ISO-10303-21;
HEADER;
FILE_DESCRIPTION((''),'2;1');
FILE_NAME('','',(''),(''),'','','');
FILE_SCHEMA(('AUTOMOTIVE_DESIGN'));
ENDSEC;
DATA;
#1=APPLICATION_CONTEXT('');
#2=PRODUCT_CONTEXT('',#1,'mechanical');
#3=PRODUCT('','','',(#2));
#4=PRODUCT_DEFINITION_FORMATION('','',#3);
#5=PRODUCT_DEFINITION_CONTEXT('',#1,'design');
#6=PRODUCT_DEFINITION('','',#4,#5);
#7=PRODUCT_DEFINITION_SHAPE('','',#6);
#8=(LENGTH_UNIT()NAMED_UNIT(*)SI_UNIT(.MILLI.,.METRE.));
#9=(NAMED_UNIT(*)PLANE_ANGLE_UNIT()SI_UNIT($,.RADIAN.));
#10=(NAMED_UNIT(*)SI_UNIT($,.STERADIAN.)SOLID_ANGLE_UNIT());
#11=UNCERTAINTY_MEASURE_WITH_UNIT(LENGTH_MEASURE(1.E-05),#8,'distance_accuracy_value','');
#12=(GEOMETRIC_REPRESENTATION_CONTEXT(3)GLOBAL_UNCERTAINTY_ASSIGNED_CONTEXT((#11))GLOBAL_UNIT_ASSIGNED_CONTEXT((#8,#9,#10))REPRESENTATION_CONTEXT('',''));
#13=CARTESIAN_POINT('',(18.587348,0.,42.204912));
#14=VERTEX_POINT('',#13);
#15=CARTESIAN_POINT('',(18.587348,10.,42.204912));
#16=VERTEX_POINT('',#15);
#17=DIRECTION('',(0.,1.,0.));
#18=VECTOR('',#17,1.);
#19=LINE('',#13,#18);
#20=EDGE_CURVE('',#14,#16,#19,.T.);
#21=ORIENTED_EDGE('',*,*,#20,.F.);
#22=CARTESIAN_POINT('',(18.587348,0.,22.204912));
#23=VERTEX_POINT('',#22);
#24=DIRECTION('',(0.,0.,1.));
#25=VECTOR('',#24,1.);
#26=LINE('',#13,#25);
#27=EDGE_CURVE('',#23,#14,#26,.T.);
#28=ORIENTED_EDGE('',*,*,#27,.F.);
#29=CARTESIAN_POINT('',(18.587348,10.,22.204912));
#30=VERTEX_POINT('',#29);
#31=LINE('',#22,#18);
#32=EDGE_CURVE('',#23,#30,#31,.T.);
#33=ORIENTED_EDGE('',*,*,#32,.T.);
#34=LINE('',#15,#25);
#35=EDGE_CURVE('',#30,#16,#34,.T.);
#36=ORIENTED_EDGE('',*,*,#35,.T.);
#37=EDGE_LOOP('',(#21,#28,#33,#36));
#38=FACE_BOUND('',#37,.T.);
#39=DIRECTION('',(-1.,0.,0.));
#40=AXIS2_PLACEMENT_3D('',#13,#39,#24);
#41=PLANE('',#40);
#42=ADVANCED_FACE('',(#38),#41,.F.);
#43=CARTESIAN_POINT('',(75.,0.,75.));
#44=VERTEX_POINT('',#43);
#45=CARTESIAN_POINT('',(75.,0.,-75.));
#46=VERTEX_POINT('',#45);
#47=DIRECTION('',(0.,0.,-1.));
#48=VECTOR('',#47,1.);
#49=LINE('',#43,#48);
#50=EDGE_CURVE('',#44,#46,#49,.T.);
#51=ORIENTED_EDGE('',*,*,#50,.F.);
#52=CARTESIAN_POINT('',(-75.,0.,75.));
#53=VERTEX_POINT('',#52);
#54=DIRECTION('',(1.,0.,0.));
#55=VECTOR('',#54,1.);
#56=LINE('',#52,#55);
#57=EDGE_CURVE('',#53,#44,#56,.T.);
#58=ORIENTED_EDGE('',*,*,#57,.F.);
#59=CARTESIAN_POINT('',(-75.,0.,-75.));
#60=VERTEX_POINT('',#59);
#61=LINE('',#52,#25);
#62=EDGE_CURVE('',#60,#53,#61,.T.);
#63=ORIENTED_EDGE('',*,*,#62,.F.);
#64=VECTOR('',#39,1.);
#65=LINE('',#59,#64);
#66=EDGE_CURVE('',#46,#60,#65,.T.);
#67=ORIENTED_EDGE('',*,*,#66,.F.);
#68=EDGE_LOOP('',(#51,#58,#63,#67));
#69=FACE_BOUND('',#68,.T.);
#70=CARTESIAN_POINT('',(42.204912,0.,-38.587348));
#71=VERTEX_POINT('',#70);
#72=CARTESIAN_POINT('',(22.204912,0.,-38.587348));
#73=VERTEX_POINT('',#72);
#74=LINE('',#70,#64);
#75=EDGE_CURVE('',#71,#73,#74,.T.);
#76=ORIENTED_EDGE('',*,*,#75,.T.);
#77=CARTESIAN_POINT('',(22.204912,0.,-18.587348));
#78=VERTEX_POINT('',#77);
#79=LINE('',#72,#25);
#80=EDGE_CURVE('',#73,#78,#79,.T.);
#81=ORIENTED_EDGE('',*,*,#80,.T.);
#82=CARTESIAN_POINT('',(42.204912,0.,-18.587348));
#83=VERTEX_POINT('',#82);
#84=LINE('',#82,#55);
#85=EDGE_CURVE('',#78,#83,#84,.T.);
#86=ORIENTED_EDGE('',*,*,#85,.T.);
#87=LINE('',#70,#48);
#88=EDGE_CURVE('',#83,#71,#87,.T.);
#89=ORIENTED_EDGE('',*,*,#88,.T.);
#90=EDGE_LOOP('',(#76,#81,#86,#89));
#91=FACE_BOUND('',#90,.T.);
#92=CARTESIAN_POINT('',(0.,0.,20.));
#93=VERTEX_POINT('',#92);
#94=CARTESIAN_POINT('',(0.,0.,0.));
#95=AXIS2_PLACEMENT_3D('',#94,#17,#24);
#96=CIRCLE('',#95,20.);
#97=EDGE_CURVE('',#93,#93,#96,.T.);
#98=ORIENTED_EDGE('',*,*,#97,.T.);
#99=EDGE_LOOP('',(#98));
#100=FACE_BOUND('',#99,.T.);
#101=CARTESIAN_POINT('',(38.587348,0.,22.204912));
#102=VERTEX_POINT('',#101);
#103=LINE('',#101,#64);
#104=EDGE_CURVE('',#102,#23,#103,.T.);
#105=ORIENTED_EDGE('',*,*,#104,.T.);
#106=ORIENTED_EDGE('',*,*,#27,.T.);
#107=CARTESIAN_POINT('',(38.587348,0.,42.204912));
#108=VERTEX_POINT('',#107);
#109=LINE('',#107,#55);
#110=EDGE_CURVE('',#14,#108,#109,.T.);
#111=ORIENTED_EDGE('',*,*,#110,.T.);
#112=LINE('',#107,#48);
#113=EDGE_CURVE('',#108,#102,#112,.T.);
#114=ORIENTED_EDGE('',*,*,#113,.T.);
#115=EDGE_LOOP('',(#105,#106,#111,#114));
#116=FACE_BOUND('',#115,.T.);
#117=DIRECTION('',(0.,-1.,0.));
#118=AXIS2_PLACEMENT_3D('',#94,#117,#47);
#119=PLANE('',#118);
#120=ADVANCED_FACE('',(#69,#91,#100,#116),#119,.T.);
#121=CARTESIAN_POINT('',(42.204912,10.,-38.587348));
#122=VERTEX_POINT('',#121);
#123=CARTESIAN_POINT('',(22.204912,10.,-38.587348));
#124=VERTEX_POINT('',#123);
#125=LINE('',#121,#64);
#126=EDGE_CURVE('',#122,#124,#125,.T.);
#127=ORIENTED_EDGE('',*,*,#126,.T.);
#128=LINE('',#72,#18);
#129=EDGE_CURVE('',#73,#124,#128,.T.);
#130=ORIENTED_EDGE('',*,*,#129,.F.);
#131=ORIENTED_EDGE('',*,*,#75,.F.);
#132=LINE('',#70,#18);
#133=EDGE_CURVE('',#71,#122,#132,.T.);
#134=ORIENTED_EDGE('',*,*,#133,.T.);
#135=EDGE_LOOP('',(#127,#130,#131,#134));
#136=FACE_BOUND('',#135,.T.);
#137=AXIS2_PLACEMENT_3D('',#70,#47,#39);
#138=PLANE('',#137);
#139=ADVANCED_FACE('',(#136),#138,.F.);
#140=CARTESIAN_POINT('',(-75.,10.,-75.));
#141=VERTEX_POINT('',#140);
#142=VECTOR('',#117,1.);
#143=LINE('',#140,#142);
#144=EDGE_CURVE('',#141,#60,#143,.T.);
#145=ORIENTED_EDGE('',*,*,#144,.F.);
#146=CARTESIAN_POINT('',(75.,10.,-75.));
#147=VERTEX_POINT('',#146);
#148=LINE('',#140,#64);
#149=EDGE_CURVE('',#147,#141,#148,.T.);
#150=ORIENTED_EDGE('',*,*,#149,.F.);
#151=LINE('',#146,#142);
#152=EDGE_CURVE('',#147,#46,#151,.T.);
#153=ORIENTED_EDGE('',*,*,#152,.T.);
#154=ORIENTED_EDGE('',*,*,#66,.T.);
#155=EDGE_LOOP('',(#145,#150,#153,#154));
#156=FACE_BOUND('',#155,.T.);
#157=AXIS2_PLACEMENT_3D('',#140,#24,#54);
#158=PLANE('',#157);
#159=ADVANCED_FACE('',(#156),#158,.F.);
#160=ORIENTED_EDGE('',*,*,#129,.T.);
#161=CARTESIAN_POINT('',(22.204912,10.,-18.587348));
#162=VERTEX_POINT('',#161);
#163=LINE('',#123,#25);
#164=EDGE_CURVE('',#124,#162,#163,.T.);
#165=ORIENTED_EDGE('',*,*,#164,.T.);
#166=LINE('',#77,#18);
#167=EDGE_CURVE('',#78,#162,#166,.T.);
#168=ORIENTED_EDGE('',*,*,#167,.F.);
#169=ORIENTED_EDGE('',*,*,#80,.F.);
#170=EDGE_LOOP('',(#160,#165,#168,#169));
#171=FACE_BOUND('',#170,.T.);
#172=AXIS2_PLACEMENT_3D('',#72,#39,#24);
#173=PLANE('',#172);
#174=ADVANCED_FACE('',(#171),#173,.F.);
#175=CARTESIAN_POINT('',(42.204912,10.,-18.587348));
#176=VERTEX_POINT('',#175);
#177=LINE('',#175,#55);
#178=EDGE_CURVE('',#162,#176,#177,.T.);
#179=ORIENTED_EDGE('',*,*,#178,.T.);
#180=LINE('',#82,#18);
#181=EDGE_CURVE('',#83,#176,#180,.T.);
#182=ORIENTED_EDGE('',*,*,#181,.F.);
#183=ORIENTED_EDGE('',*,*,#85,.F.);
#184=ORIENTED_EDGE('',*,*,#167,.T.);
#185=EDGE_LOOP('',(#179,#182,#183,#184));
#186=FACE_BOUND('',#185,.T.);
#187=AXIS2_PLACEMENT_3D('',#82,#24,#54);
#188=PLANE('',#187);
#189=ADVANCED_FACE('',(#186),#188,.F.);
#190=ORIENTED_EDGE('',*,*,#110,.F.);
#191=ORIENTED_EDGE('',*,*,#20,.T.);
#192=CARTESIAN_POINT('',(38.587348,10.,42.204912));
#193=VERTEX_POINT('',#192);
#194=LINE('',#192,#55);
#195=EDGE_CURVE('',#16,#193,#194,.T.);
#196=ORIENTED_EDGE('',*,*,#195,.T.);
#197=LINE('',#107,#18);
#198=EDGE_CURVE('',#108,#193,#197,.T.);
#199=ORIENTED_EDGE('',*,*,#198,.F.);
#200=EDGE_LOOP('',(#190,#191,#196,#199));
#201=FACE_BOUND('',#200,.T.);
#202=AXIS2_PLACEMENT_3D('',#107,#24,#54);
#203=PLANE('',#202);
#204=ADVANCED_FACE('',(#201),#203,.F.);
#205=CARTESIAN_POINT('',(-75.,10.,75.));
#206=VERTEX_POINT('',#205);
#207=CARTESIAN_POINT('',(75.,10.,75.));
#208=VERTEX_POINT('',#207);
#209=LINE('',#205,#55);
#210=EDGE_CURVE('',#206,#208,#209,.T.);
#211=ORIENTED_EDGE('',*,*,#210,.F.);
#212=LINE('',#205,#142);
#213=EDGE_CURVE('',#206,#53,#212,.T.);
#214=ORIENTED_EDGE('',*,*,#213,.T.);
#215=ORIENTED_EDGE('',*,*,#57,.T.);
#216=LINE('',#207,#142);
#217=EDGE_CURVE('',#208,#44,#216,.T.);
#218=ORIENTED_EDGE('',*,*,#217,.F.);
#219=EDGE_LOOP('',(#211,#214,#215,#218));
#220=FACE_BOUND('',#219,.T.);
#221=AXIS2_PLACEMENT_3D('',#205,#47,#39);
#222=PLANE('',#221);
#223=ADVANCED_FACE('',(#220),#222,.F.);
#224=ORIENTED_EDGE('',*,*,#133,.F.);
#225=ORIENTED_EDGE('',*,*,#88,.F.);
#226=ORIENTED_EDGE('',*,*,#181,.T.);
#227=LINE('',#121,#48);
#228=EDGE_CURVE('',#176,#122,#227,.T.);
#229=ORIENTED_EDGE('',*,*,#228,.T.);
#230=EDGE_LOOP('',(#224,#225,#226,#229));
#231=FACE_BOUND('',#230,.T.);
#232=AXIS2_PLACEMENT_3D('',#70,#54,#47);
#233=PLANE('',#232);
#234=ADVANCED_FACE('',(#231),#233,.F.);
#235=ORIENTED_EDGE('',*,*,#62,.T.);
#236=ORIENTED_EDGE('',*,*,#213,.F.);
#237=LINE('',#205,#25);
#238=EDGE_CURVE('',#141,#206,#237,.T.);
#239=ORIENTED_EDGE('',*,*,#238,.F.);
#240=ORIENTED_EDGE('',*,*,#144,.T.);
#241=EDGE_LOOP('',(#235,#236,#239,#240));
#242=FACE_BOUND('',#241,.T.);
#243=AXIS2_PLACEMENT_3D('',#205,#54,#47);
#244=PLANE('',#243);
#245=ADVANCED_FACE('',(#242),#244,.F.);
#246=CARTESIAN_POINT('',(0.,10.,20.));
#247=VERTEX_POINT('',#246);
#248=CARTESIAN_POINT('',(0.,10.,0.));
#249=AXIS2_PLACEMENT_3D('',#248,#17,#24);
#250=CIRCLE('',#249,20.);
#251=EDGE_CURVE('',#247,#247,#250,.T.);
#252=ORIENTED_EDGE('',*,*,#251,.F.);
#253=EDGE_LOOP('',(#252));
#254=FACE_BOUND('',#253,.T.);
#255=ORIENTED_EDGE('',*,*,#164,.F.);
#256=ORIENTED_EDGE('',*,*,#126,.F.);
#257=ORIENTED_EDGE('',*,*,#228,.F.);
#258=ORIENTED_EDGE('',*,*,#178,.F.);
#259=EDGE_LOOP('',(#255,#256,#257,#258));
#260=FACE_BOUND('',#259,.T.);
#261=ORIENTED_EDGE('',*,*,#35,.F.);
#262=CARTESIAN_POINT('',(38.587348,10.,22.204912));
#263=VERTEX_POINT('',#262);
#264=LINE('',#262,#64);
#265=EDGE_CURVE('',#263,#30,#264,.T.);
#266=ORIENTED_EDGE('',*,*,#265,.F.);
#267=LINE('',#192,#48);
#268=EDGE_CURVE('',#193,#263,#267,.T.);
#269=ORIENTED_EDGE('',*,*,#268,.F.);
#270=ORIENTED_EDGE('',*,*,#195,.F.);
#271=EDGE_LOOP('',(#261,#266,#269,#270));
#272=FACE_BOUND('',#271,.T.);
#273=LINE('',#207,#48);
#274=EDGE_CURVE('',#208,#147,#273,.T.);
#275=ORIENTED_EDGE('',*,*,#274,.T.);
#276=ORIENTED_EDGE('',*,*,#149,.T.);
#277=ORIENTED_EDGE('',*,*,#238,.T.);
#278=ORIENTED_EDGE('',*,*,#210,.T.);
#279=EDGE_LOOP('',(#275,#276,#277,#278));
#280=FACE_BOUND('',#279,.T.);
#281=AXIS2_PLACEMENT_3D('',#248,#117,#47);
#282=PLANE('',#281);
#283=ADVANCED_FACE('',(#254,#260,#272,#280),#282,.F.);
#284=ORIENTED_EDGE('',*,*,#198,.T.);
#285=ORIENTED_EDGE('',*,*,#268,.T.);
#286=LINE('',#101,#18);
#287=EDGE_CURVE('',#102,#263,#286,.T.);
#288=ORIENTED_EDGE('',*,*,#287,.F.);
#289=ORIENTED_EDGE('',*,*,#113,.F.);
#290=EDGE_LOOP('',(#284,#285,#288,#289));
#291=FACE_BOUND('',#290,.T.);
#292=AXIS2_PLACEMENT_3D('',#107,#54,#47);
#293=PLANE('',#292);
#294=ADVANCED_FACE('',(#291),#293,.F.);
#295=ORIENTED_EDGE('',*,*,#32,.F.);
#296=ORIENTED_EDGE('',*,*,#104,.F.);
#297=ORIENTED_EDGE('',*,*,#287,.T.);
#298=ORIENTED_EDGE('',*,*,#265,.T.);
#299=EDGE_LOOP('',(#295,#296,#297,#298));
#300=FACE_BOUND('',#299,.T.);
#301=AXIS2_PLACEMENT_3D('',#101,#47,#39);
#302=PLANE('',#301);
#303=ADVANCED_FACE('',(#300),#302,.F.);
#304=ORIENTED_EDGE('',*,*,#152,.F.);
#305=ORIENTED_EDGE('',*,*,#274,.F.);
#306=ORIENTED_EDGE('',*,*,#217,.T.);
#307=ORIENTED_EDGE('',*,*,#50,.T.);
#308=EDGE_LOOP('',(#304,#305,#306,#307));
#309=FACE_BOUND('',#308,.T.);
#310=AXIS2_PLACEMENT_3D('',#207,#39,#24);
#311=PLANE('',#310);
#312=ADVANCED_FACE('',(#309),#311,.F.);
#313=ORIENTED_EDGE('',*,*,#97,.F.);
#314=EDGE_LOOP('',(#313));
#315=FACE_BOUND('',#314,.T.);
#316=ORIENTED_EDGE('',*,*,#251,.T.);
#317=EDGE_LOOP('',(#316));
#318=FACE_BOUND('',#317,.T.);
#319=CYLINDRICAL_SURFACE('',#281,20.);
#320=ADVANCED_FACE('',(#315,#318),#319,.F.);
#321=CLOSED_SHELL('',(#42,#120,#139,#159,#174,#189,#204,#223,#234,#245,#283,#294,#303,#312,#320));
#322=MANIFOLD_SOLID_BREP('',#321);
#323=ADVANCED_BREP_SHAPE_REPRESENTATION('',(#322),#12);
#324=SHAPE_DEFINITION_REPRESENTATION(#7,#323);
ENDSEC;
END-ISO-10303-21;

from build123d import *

# Parameters (mm, degrees)
SKETCH2_W           = 150
SKETCH2_H           = 150
SKETCH2_R           = 20
BOSS_EXTRUDE3_DEPTH = 10
SKETCH4_W           = 20
SKETCH4_H           = 20
CUT_EXTRUDE1_DEPTH  = 10


with BuildPart() as part:
    # Sketch2 → Boss-Extrude3 (new body)
    with BuildSketch(Plane(origin=(0, 0, 0), x_dir=(1, 0, 0), z_dir=(0, 1, 0))):
        Rectangle(SKETCH2_W, SKETCH2_H)
        with Locations(Location((0, 0, 0), (0, 0, 270))):
            Circle(SKETCH2_R, mode=Mode.SUBTRACT)
    extrude(amount=BOSS_EXTRUDE3_DEPTH)

    # Sketch4 → Cut-Extrude1 (cut)
    with BuildSketch(Plane(origin=(0, 10, 0), x_dir=(1, 0, 0), z_dir=(0, 1, 0))):
        with Locations((32.204911614, 28.587347761)):
            Rectangle(SKETCH4_W, SKETCH4_H)
        with Locations((28.587347761, -32.204911614)):
            Rectangle(SKETCH4_W, SKETCH4_H)
    extrude(amount=-CUT_EXTRUDE1_DEPTH, mode=Mode.SUBTRACT)


solid = part.part
